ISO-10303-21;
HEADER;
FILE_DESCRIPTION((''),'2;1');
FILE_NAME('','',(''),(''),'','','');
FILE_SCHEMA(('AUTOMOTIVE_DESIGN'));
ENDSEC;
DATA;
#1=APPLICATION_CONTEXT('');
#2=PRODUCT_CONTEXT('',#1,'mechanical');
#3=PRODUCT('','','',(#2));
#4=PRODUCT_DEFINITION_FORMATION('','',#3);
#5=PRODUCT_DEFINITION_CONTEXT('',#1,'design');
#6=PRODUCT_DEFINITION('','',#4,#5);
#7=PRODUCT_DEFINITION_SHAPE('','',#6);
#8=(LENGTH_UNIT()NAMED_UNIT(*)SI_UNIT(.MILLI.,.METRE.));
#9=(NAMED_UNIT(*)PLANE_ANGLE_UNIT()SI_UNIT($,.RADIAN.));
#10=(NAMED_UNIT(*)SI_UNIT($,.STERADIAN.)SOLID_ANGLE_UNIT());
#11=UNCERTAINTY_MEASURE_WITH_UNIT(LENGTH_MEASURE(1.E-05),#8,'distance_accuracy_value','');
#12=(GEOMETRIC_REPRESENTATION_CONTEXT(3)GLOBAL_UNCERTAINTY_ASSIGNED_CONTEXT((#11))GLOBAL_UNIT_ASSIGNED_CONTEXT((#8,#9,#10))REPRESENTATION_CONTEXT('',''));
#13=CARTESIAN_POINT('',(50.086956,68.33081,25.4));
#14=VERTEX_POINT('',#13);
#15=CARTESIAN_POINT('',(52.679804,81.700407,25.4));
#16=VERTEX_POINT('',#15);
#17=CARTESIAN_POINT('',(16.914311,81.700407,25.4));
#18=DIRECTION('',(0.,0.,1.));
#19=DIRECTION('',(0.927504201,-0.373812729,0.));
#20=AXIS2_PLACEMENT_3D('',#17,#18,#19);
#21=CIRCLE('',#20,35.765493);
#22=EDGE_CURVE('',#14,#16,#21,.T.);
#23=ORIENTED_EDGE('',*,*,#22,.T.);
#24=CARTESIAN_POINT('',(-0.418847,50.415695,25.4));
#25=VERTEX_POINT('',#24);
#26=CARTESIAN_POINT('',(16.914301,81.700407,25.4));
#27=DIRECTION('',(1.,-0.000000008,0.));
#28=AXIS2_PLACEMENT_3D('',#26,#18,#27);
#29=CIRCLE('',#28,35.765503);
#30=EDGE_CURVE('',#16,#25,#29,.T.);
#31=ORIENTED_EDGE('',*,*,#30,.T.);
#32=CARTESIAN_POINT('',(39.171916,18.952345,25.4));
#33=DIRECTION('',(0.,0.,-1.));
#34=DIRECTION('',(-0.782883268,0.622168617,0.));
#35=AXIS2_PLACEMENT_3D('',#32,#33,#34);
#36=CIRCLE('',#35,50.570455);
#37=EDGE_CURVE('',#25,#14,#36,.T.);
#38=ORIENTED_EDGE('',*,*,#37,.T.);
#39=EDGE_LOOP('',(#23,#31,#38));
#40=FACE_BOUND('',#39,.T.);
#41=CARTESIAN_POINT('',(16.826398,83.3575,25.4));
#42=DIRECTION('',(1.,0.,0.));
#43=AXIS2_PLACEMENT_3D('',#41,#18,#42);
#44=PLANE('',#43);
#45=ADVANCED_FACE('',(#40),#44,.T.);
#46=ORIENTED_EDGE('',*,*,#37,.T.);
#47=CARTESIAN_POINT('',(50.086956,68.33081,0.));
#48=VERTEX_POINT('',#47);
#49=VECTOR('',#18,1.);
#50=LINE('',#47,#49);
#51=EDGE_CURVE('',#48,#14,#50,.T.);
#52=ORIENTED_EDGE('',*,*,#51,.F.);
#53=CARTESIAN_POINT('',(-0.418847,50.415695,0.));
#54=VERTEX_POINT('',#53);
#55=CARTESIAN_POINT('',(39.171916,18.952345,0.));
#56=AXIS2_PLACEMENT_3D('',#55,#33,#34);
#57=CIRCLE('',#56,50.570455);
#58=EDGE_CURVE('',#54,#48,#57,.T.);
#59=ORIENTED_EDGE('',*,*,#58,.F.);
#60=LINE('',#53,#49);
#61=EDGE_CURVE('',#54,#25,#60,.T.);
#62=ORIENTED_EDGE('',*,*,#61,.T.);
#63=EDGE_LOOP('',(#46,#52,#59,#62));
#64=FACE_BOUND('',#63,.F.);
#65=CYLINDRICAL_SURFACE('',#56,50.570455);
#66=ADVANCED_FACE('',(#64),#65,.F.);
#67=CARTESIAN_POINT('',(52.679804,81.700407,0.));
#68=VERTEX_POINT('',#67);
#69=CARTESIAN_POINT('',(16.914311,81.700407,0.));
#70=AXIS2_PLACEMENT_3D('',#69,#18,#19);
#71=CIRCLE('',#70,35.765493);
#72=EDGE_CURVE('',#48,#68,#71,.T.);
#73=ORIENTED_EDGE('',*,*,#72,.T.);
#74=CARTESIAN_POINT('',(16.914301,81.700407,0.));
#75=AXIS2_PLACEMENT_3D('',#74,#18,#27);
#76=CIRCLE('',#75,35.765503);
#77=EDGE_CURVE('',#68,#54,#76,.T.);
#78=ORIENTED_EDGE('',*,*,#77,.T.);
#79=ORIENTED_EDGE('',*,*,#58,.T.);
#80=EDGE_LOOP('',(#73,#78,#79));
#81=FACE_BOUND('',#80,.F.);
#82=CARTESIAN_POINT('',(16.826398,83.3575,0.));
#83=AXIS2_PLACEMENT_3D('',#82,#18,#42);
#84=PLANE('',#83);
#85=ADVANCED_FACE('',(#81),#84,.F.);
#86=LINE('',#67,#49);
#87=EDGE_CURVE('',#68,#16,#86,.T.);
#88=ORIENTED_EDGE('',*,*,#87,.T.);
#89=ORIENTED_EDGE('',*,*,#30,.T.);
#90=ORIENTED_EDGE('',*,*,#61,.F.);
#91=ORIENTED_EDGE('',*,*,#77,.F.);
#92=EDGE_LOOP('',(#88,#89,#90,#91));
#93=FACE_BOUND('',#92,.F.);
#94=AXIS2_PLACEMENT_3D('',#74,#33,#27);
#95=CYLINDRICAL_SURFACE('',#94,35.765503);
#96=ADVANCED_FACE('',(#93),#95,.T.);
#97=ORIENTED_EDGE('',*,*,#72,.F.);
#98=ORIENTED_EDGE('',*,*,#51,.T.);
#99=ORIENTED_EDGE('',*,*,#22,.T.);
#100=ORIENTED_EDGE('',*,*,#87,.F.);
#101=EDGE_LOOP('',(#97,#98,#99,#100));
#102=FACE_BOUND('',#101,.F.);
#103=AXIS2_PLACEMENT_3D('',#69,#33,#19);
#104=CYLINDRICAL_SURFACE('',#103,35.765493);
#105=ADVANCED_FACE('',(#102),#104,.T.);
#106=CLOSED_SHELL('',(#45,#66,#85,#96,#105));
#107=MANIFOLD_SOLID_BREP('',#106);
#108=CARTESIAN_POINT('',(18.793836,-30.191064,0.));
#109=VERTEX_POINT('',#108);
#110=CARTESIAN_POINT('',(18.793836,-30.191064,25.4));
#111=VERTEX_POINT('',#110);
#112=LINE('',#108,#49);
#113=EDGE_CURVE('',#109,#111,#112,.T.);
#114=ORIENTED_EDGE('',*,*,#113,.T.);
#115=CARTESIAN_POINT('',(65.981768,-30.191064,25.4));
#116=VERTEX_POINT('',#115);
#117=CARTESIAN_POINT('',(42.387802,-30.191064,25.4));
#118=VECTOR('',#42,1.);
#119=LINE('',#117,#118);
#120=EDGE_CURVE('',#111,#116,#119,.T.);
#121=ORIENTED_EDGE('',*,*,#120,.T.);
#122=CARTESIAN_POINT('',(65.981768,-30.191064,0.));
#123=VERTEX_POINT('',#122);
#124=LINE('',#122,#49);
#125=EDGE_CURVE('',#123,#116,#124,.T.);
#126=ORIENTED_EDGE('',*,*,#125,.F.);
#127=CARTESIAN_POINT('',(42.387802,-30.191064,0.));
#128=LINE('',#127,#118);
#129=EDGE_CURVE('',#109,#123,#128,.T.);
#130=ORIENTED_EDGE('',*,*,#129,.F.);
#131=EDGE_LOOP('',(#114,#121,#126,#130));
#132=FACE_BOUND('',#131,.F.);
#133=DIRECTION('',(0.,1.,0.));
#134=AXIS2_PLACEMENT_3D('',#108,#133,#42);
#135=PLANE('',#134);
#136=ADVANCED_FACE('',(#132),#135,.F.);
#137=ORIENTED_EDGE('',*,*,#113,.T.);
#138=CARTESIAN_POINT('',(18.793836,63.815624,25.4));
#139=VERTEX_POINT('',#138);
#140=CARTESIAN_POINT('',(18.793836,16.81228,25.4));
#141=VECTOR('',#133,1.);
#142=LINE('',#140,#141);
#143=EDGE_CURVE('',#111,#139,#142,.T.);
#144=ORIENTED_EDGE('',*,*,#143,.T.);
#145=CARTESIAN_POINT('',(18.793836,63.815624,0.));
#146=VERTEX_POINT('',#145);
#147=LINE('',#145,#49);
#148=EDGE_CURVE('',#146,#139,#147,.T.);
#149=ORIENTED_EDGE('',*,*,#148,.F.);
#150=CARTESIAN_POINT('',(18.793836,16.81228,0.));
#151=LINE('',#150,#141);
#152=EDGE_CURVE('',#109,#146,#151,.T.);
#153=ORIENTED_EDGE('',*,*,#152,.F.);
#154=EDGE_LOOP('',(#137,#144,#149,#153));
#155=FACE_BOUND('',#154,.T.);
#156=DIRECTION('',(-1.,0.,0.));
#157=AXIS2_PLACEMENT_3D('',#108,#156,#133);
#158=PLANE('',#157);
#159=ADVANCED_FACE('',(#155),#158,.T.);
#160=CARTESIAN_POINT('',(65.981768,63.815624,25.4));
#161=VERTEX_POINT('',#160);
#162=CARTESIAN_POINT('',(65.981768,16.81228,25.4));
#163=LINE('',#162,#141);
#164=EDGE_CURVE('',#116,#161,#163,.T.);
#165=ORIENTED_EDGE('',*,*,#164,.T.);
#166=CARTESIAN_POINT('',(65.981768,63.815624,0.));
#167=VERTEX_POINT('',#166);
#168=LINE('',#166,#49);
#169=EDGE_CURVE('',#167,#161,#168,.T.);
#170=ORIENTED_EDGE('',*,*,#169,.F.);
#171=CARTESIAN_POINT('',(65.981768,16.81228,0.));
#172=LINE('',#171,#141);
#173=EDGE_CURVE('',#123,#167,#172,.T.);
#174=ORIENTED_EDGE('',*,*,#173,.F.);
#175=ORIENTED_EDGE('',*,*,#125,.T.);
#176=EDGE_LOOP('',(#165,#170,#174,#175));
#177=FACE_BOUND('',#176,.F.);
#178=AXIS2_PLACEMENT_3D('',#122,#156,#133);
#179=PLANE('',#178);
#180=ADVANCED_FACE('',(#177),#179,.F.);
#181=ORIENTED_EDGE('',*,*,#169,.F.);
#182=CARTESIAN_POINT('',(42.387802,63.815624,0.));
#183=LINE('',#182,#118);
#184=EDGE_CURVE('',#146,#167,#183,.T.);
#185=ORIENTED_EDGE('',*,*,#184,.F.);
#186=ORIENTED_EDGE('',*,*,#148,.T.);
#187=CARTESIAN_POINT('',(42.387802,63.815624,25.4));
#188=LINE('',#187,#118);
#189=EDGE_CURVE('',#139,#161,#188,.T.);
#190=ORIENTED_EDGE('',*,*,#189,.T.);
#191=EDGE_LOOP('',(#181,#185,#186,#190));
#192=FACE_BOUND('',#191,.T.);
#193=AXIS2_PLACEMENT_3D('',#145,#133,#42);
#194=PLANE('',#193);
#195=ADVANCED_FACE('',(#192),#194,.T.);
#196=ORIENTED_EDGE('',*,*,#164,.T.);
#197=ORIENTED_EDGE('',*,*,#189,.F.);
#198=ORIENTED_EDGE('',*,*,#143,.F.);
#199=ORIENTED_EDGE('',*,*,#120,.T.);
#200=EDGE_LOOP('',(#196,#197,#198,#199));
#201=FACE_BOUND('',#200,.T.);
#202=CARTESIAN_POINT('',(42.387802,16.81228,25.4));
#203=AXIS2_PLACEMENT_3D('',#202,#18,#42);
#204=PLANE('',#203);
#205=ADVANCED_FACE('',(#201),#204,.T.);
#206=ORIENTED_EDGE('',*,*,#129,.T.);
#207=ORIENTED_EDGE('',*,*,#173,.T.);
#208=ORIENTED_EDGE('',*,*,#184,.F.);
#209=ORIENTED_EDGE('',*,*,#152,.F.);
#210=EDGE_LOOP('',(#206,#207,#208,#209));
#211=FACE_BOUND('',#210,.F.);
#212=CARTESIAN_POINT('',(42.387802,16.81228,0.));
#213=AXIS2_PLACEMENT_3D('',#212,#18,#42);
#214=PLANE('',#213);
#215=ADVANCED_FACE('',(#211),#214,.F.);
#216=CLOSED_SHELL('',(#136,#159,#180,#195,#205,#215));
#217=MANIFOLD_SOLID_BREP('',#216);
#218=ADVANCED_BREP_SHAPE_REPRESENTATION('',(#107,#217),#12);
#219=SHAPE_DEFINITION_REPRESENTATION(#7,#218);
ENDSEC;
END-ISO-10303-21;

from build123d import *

# Parameters (mm, degrees)
F0_W     = 47.187932
F0_H     = 94.006688
F1_DEPTH = 25.4
F3_DEPTH = 25.4


with BuildPart() as f1:
    # F0 (on Top) → F1 (new body)
    with BuildSketch(Plane.XY):
        with Locations((42.387802, 16.81228)):
            Rectangle(F0_W, F0_H)
    extrude(amount=F1_DEPTH)


with BuildPart() as f3:
    # F2 (on Top) → F3 (new body)
    with BuildSketch(Plane.XY):
        with BuildLine():
            ThreePointArc((-0.418847, 50.415695), (22.265938, 66.613218), (50.086956, 68.33081))
            ThreePointArc((50.086956, 68.33081), (52.025609, 74.891057), (52.679804, 81.700407))
            ThreePointArc((52.679804, 81.700407), (-1.241174, 112.515176), (-0.418847, 50.415695))
        make_face()
    extrude(amount=F3_DEPTH)


solid = Compound([f1.part, f3.part])
